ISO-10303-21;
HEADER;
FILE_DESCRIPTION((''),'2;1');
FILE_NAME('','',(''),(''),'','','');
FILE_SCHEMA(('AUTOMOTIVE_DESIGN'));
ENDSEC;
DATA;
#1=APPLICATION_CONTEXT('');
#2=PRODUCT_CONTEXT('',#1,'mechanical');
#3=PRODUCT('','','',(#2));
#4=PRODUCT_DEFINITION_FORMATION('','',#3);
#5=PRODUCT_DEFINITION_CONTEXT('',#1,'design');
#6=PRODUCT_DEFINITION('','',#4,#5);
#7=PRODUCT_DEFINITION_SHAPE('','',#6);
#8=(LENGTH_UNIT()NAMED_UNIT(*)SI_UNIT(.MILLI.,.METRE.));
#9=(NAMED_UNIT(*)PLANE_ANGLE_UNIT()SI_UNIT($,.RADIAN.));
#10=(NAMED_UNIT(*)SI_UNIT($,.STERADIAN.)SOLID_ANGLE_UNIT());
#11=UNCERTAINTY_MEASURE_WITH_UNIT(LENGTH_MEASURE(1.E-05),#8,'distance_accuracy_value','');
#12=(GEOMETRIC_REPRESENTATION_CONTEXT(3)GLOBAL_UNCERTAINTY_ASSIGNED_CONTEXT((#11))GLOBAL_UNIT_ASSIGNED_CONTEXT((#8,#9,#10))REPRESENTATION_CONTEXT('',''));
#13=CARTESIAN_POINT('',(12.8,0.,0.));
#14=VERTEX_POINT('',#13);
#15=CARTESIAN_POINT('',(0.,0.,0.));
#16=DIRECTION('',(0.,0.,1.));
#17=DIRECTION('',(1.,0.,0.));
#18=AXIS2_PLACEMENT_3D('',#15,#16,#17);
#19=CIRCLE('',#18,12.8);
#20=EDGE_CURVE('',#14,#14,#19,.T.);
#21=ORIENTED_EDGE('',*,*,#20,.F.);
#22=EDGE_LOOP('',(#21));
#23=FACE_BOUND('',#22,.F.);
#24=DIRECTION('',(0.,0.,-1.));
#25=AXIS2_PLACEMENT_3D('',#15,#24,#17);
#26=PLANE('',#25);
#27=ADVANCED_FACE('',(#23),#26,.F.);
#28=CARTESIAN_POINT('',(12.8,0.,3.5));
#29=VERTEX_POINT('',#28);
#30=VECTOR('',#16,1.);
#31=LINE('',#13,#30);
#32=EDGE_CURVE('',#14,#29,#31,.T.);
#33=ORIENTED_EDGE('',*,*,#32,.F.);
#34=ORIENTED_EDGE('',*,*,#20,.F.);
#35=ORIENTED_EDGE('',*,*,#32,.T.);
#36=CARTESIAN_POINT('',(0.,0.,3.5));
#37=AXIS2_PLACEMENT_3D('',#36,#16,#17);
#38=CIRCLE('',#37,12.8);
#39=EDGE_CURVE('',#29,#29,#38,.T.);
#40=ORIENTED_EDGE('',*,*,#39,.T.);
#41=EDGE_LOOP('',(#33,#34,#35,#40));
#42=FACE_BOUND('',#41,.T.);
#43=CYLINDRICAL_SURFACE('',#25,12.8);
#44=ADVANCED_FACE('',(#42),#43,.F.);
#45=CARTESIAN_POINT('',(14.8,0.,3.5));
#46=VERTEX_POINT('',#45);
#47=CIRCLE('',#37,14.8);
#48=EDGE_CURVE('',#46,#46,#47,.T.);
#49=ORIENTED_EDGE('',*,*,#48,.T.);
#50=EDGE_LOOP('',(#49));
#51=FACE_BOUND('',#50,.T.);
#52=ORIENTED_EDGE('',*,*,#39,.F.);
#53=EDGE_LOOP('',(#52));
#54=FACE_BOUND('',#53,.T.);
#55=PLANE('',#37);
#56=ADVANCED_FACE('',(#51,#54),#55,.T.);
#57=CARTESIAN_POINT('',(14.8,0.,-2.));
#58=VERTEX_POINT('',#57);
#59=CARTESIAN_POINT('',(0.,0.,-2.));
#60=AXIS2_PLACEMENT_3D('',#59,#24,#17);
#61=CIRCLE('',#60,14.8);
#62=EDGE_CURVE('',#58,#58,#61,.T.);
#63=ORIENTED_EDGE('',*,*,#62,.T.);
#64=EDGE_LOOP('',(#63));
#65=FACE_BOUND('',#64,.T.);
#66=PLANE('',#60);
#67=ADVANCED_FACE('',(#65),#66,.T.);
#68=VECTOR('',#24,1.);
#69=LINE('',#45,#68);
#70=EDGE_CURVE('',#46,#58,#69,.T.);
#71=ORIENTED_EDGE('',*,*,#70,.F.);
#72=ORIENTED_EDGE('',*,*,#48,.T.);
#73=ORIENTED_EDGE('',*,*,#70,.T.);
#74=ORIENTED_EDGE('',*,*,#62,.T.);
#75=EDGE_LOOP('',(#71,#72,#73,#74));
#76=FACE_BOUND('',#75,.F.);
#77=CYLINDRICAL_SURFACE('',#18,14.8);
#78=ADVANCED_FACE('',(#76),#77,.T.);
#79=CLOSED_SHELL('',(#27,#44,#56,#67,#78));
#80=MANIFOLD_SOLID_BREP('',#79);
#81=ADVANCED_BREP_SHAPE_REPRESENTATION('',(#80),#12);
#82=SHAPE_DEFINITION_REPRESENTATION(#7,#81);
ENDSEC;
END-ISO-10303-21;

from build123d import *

# Parameters (mm, degrees)
F0_R     = 14.8
F0_R_2   = 12.8
F1_DEPTH = 3.5
F2_R     = 14.8
F3_DEPTH = 2


with BuildPart() as f1:
    # F0 (on Top) → F1 (new body)
    with BuildSketch(Plane.XY):
        Circle(F0_R)
        Circle(F0_R_2, mode=Mode.SUBTRACT)
    extrude(amount=F1_DEPTH)

    # F2 (on face) → F3 (join)
    with BuildSketch(Plane(origin=(0, 0, 0), x_dir=(1, 0, 0), z_dir=(0, 0, -1))):
        Circle(F2_R)
    extrude(amount=F3_DEPTH)


solid = f1.part
